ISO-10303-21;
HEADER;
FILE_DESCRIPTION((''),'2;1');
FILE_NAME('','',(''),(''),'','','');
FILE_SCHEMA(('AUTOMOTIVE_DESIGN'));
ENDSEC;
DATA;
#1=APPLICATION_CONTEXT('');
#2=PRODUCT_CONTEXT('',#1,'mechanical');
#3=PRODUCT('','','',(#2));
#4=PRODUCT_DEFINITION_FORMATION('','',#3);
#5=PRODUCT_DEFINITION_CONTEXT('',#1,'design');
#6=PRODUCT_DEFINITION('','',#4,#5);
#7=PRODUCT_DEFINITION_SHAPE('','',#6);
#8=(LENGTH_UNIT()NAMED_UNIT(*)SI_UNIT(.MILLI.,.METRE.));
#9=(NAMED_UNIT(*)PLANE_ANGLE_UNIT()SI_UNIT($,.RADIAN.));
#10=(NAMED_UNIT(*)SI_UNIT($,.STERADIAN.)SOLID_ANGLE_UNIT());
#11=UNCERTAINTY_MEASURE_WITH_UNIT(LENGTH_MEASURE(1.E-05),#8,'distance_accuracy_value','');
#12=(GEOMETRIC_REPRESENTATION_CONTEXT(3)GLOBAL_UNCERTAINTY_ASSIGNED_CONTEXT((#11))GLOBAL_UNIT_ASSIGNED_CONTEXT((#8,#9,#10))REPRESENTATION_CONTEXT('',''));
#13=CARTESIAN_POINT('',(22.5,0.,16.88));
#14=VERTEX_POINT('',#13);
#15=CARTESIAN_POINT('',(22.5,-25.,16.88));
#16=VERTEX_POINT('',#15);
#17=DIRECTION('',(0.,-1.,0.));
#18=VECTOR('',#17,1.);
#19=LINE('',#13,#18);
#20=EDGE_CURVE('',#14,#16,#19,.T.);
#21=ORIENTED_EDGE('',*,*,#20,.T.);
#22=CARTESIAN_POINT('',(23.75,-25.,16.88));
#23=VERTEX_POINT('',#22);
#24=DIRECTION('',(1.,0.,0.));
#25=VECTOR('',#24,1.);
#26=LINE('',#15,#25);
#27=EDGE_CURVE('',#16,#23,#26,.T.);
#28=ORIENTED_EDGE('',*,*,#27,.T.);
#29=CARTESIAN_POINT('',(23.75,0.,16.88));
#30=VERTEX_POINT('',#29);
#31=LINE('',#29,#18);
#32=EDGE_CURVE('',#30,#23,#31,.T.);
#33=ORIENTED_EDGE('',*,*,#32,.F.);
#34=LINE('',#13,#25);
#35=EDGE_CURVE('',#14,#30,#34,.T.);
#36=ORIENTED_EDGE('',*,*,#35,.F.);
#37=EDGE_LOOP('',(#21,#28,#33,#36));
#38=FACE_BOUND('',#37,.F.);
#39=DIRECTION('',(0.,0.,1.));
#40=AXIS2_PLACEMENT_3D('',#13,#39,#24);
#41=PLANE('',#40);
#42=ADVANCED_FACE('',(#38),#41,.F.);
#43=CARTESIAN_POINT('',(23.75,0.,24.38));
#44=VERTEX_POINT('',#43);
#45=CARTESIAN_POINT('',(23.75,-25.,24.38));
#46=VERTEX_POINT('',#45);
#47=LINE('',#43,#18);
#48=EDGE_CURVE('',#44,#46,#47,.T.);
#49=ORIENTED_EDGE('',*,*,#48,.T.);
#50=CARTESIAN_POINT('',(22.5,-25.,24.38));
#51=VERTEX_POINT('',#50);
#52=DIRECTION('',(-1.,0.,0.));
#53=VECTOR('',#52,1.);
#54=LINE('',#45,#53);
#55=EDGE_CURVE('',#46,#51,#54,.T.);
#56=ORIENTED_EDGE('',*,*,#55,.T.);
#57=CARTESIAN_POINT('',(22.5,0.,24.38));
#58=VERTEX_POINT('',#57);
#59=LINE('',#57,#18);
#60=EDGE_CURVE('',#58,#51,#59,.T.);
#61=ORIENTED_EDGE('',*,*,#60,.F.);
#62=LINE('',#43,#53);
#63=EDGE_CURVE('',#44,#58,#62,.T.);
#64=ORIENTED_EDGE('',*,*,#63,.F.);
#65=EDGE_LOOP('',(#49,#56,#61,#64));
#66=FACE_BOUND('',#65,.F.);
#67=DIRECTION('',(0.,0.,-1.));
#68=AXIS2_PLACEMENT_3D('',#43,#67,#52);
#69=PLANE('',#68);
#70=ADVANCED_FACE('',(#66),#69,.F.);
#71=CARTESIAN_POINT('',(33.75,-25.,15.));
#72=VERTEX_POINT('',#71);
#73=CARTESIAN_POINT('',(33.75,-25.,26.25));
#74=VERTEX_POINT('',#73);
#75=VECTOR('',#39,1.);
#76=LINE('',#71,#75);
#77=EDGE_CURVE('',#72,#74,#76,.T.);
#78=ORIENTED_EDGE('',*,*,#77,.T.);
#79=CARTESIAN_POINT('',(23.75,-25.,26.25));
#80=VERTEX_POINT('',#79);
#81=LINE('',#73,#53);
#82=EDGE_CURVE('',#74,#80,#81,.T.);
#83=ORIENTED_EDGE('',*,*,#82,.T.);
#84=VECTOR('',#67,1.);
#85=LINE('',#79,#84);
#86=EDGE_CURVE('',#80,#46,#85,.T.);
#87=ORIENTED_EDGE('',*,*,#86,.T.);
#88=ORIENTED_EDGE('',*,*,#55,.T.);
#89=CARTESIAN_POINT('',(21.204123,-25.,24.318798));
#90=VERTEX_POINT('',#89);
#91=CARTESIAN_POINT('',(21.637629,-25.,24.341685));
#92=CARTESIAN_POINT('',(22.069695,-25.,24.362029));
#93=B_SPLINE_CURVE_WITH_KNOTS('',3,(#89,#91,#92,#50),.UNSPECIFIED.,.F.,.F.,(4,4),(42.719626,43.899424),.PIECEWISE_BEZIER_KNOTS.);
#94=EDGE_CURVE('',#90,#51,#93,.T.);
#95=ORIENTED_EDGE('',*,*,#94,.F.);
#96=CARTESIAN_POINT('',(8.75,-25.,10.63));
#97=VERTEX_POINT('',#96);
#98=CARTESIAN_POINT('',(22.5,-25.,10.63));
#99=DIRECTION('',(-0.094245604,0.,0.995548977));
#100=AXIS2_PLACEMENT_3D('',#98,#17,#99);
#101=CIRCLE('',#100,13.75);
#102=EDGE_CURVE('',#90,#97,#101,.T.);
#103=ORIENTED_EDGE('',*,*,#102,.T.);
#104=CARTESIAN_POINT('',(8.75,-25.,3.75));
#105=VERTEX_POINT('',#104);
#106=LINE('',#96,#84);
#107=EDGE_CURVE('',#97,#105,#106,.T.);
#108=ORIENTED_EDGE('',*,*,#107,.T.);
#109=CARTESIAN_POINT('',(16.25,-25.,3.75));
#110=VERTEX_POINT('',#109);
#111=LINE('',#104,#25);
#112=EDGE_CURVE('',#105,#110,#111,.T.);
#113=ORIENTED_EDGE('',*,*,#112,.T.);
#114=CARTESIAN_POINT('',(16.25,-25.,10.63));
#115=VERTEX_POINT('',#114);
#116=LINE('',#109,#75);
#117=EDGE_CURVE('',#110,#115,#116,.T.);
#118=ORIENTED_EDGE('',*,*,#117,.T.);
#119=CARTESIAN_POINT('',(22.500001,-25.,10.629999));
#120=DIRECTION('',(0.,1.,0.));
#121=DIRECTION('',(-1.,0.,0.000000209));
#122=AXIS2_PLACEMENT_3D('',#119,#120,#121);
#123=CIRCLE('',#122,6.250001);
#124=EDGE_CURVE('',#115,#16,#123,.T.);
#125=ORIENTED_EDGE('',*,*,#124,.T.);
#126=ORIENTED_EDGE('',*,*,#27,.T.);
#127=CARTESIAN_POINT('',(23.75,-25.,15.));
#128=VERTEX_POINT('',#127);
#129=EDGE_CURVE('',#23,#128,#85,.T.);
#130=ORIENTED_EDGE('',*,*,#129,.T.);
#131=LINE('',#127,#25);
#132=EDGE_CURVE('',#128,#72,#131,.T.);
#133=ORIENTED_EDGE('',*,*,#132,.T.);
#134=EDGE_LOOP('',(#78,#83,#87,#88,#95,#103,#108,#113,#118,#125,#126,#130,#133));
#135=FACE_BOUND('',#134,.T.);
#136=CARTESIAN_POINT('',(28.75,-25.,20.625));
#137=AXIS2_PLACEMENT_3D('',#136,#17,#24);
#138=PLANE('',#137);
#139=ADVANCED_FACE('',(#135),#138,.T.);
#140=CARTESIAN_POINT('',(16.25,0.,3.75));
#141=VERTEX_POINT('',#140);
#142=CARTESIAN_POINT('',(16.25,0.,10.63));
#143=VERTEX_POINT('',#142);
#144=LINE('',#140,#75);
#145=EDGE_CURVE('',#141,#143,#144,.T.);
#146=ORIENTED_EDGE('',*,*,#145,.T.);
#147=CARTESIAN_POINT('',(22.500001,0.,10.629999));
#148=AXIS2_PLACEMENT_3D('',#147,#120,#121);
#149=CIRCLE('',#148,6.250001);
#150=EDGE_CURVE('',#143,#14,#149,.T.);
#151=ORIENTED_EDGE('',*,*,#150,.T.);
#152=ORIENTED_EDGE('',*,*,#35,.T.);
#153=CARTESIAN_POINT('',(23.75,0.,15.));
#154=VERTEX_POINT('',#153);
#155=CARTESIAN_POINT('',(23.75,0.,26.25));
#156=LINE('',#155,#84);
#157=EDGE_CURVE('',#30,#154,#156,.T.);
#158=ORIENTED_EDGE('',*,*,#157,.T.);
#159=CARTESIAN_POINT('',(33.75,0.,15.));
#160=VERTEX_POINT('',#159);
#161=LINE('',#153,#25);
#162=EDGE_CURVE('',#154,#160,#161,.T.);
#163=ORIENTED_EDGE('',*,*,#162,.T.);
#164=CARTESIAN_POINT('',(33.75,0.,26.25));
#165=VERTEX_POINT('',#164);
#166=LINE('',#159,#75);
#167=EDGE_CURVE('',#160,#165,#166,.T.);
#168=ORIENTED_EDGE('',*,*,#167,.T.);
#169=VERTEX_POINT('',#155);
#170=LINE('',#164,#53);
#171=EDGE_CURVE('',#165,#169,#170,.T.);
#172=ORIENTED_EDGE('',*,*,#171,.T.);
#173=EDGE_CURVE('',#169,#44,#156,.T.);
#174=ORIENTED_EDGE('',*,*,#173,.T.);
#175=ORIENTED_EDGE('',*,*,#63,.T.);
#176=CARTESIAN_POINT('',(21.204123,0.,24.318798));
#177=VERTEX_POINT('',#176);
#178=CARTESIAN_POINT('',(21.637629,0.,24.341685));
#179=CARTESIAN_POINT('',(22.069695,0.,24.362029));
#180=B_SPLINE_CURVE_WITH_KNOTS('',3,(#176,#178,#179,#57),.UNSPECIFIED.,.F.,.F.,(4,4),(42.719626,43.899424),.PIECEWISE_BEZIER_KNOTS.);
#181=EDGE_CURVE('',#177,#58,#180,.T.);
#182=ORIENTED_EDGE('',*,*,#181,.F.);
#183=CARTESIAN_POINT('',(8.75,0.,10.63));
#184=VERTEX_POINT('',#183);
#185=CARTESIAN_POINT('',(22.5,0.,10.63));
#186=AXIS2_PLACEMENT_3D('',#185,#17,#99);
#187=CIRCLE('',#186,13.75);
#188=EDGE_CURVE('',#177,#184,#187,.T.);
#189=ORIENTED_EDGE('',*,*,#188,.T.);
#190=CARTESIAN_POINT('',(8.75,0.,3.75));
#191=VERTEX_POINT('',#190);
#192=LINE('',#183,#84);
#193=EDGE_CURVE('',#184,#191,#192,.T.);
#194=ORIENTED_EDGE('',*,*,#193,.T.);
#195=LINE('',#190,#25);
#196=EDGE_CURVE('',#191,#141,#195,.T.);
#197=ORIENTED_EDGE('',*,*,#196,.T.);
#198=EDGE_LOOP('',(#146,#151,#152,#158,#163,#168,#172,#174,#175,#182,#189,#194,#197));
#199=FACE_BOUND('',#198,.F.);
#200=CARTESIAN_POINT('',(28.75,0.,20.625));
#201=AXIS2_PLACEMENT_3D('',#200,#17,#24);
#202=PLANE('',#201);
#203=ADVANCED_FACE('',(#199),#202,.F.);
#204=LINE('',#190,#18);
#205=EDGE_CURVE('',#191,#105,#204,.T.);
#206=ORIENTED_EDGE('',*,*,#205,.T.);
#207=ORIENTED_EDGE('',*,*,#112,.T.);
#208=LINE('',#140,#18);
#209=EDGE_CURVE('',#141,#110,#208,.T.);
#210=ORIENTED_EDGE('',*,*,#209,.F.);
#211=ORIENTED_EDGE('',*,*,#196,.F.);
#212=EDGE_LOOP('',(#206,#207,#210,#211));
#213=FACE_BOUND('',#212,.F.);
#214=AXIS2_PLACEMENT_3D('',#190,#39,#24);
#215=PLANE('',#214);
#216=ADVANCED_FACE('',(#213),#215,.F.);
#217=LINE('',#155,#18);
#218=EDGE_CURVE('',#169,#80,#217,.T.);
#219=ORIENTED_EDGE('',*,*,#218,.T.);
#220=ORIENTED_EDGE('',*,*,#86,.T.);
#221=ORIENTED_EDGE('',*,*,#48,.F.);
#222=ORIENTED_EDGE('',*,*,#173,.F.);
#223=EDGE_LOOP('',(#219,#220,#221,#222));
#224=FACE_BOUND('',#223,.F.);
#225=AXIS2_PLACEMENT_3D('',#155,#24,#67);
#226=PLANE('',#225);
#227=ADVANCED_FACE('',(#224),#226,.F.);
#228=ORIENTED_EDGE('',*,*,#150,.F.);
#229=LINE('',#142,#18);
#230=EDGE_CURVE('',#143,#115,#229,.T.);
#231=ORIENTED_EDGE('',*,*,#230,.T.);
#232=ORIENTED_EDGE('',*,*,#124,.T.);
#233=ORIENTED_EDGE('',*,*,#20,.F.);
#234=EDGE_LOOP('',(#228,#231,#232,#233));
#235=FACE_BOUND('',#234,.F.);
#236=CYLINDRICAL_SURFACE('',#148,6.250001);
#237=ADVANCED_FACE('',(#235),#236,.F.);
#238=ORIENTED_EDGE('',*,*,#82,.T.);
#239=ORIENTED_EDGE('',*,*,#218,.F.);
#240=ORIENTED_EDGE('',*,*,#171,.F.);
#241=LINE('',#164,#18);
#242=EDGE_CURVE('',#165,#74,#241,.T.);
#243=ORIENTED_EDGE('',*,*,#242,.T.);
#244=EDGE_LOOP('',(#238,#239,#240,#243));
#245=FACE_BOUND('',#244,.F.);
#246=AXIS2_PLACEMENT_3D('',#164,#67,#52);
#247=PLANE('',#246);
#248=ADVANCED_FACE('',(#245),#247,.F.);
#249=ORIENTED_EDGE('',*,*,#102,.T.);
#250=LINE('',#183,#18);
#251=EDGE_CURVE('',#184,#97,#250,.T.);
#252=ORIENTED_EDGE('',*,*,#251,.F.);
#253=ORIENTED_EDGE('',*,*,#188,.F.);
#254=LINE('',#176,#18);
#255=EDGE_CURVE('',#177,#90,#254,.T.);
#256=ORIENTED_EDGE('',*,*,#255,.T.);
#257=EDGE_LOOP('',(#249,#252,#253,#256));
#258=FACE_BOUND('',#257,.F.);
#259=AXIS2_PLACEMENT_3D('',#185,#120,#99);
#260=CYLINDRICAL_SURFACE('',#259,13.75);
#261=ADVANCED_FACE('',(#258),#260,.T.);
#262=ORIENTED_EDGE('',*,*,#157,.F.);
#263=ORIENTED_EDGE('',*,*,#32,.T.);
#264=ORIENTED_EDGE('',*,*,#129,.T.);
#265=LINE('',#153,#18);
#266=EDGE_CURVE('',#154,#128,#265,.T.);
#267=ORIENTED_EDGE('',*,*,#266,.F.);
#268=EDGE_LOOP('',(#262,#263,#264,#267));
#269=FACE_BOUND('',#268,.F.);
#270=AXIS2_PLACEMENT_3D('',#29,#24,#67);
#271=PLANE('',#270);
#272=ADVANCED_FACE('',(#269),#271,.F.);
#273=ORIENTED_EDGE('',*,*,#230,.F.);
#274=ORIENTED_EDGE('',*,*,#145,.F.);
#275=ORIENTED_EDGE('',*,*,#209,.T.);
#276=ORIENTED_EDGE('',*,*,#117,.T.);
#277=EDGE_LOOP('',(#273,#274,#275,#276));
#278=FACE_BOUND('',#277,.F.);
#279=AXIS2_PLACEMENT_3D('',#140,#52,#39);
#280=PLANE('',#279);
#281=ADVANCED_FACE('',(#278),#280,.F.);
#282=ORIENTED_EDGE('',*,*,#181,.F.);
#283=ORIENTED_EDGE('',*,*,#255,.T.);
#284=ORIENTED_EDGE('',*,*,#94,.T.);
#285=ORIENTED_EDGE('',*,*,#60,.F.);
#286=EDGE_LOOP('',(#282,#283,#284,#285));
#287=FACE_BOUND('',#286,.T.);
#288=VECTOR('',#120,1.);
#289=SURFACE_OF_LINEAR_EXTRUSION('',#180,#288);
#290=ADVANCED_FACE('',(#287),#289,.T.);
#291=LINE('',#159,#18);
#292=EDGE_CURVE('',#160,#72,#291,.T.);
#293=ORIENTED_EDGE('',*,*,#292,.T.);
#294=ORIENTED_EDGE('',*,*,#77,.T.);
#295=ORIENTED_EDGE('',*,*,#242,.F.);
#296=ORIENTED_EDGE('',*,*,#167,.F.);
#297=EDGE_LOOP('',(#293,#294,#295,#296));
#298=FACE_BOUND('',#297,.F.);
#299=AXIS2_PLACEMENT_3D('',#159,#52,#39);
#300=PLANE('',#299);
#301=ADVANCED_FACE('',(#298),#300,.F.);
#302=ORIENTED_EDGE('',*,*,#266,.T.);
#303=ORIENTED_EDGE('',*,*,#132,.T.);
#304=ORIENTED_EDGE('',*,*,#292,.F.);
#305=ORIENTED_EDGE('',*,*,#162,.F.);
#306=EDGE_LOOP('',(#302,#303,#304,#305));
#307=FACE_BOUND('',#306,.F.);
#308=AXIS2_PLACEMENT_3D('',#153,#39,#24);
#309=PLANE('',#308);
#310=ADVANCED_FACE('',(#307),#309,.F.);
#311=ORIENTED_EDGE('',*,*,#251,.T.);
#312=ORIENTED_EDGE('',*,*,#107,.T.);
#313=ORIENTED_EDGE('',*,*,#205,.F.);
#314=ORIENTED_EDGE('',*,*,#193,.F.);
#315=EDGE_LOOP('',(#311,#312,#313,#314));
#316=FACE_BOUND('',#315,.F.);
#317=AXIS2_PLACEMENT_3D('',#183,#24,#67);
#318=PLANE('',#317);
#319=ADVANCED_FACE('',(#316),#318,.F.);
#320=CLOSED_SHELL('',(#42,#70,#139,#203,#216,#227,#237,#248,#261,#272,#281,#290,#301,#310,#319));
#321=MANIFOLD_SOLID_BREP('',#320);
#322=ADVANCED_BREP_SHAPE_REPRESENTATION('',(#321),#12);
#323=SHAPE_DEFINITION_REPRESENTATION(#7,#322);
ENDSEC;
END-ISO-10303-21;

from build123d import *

# Parameters (mm, degrees)
F1_DEPTH = 25


with BuildPart() as f1:
    # F0 (on Front) → F1 (new body)
    with BuildSketch(Plane.XZ):
        Polygon((23.75, 24.38), (23.75, 16.88), (23.75, 15), (33.75, 15), (33.75, 26.25), (23.75, 26.25), align=None)
        with BuildLine():
            Line((8.75, 3.75), (16.25, 3.75))
            Line((16.25, 3.75), (16.25, 10.63))
            ThreePointArc((16.25, 10.63), (18.080583, 15.049417), (22.5, 16.88))
            Line((22.5, 16.88), (23.75, 16.88))
            Line((23.75, 16.88), (23.75, 24.38))
            Line((23.75, 24.38), (22.5, 24.38))
            add(Edge.make_bspline(
                [(21.204123, 24.318798), (21.637629, 24.341685), (22.069695, 24.362029), (22.5, 24.38)],
                knots=[42.719626, 42.719626, 42.719626, 42.719626, 43.899424, 43.899424, 43.899424, 43.899424], degree=3))
            ThreePointArc((21.204123, 24.318798), (12.329435, 19.883221), (8.75, 10.63))
            Line((8.75, 10.63), (8.75, 3.75))
        make_face()
    extrude(amount=F1_DEPTH)


solid = f1.part
